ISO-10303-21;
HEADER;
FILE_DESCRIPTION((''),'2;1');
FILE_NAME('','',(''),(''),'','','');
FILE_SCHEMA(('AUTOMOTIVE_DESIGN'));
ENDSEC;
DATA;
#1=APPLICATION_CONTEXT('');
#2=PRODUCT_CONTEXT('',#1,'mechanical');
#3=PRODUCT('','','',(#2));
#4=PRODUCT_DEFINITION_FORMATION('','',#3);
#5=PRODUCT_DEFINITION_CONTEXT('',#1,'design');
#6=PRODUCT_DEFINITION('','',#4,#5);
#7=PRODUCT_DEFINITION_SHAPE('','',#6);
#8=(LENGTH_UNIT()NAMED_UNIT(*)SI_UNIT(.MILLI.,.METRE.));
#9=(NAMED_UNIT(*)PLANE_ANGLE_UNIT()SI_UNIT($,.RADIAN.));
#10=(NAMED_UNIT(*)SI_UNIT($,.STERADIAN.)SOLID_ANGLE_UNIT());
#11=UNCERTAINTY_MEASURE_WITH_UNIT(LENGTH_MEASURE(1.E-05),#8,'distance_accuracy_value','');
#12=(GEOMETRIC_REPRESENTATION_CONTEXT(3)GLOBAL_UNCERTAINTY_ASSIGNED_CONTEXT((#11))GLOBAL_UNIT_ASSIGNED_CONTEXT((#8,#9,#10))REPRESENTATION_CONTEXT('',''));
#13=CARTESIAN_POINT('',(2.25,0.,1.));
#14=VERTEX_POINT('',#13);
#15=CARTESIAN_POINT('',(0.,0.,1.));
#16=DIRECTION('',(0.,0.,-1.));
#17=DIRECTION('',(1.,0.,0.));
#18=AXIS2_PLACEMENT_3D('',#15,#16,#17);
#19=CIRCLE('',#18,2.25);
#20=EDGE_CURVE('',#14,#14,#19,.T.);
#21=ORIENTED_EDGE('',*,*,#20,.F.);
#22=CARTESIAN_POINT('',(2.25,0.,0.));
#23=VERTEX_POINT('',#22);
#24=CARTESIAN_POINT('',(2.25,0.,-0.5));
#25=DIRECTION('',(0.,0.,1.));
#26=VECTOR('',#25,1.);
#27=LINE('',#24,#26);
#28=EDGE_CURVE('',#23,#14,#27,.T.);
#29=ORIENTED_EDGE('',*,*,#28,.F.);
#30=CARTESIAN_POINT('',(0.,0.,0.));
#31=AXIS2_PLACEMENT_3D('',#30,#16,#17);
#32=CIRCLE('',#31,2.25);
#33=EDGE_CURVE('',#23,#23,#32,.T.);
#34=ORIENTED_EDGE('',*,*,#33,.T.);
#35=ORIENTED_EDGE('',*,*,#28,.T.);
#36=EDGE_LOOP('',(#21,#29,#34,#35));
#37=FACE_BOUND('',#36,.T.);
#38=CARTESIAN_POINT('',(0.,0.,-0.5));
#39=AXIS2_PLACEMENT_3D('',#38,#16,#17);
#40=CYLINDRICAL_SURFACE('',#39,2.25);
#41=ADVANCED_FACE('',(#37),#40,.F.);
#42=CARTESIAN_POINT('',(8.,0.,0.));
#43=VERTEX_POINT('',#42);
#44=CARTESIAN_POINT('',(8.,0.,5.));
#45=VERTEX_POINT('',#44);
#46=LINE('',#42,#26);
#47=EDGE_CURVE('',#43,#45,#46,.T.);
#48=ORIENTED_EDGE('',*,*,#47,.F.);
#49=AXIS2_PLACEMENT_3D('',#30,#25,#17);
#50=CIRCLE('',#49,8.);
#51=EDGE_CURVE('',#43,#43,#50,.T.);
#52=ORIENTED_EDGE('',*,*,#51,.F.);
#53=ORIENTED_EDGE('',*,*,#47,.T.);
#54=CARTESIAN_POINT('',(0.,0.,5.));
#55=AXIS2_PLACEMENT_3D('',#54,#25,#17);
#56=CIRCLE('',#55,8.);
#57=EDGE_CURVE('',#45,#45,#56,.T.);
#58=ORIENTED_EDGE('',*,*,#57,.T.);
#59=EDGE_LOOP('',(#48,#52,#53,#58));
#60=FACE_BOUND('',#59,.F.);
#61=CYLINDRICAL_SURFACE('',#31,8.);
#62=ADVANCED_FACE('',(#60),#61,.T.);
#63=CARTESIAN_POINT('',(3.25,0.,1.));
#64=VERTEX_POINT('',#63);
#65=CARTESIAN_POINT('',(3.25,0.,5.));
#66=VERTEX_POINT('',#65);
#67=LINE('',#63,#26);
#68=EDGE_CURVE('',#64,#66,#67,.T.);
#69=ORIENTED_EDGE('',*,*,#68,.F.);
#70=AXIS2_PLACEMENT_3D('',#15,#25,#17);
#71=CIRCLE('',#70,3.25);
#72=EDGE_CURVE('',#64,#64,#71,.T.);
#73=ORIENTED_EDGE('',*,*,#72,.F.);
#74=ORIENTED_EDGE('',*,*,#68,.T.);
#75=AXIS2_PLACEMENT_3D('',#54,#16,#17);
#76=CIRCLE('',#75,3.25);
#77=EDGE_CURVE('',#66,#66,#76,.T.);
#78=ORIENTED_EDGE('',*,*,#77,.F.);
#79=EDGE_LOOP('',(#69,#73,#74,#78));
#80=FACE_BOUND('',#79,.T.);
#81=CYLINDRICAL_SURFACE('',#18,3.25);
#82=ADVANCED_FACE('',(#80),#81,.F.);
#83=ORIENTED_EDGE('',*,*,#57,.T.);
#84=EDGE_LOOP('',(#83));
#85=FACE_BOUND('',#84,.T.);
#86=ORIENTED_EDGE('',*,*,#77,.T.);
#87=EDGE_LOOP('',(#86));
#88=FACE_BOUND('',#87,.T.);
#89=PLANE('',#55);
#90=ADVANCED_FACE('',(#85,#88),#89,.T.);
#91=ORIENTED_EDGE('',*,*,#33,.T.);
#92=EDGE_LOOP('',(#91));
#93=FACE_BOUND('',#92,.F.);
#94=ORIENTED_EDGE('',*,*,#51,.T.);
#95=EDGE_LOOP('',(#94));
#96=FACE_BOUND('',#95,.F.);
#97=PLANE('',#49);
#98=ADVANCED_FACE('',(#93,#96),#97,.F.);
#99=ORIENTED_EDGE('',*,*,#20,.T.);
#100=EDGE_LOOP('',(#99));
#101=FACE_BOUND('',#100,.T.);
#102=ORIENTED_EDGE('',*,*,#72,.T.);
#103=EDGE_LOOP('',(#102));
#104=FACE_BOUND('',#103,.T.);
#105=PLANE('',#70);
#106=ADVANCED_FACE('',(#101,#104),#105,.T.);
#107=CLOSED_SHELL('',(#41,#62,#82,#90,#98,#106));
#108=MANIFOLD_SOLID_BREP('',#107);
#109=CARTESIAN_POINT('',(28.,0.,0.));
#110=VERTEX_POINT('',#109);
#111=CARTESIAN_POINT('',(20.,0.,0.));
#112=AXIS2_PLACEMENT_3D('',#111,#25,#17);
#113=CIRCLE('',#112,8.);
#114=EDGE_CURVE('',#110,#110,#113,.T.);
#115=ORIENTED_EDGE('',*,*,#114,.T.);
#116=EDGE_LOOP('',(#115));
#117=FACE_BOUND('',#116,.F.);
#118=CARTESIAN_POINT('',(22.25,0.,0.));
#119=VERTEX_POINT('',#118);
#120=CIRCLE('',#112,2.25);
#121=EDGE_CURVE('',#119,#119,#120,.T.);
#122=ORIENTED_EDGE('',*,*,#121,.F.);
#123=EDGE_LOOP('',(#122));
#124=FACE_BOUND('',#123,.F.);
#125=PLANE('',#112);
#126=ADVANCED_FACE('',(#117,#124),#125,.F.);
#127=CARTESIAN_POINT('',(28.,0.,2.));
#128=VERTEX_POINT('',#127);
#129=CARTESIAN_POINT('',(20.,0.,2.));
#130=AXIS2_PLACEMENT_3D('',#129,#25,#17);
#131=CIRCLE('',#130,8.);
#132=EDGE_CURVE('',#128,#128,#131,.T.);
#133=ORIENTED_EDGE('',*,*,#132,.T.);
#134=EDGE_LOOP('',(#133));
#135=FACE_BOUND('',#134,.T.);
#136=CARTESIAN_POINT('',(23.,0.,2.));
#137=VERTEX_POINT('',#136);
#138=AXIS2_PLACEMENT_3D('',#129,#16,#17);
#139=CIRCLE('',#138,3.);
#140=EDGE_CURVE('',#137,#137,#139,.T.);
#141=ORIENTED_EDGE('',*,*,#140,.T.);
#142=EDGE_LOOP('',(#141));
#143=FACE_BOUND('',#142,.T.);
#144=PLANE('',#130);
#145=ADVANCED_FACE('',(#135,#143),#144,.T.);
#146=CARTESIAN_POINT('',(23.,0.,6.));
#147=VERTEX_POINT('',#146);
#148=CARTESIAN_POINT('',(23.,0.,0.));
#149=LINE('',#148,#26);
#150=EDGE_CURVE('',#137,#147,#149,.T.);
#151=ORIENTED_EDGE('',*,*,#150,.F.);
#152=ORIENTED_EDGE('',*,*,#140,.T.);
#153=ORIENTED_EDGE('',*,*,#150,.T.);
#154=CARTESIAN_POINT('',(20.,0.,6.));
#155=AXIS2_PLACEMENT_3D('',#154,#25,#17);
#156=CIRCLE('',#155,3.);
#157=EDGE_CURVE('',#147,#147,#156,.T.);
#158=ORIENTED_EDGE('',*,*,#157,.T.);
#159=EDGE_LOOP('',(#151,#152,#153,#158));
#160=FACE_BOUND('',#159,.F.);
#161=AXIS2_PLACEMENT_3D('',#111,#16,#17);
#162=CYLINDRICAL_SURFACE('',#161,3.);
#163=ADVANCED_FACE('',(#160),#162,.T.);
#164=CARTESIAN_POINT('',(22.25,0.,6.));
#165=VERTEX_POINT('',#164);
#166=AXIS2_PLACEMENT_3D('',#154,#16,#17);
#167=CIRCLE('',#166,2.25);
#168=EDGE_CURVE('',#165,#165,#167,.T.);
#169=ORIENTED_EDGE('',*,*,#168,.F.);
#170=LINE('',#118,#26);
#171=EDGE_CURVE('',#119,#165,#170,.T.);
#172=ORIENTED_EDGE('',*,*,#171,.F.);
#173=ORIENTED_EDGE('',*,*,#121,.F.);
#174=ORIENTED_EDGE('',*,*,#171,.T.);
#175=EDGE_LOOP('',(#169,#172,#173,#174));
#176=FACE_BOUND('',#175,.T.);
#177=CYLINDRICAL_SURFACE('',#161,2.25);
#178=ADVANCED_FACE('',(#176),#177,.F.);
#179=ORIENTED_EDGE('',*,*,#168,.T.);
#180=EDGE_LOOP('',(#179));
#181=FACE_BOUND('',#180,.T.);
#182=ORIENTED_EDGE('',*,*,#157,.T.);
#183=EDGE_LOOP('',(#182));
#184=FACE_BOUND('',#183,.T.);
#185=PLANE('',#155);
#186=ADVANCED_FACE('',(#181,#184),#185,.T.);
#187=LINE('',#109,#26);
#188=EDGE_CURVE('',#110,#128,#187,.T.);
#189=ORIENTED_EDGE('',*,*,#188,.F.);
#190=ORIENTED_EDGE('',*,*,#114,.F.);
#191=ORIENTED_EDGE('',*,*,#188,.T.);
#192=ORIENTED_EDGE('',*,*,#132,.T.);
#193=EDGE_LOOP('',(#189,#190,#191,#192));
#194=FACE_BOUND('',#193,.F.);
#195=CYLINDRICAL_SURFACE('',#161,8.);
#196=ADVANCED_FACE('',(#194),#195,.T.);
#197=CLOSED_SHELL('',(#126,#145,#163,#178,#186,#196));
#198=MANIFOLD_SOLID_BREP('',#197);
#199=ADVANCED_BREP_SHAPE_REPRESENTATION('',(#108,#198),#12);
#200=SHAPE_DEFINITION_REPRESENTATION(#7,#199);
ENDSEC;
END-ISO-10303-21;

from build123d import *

# Parameters (mm, degrees)
CYLINDER002_R     = 3.25
CYLINDER002_DEPTH = 5
CYLINDER001_R     = 2.25
CYLINDER001_DEPTH = 9
CYLINDER_R        = 8
CYLINDER_DEPTH    = 5
CYLINDER004_R     = 2.25
CYLINDER004_DEPTH = 10
CYLINDER005_R     = 8
CYLINDER005_DEPTH = 2
CYLINDER003_R     = 3
CYLINDER003_DEPTH = 6


with BuildPart() as cylinder002:
    # Cylinder002 → Cylinder002 (new body)
    with BuildSketch(Plane.XY.offset(1)):
        Circle(CYLINDER002_R)
    extrude(amount=CYLINDER002_DEPTH)


with BuildPart() as fusion:
    # Cylinder001 → Cylinder001 (new body)
    with BuildSketch(Plane.XY.offset(-0.5)):
        Circle(CYLINDER001_R)
    extrude(amount=CYLINDER001_DEPTH)

    # Fusion: union Cylinder002
    add(cylinder002.part)


with BuildPart() as body:
    # Cylinder → Cylinder (new body)
    with BuildSketch(Plane.XY):
        Circle(CYLINDER_R)
    extrude(amount=CYLINDER_DEPTH)

    # Cut: cut Fusion
    add(fusion.part, mode=Mode.SUBTRACT)


with BuildPart() as cylinder004:
    # Cylinder004 → Cylinder004 (new body)
    with BuildSketch(Plane(origin=(20, 0, 0), x_dir=(1, 0, 0), z_dir=(0, 0, 1))):
        Circle(CYLINDER004_R)
    extrude(amount=CYLINDER004_DEPTH)


with BuildPart() as cylinder005:
    # Cylinder005 → Cylinder005 (new body)
    with BuildSketch(Plane(origin=(20, 0, 0), x_dir=(1, 0, 0), z_dir=(0, 0, 1))):
        Circle(CYLINDER005_R)
    extrude(amount=CYLINDER005_DEPTH)


with BuildPart() as cap:
    # Cylinder003 → Cylinder003 (new body)
    with BuildSketch(Plane(origin=(20, 0, 0), x_dir=(1, 0, 0), z_dir=(0, 0, 1))):
        Circle(CYLINDER003_R)
    extrude(amount=CYLINDER003_DEPTH)

    # Fusion001: union Cylinder005
    add(cylinder005.part)

    # Cut001: cut Cylinder004
    add(cylinder004.part, mode=Mode.SUBTRACT)


solid = Compound([body.part, cap.part])
